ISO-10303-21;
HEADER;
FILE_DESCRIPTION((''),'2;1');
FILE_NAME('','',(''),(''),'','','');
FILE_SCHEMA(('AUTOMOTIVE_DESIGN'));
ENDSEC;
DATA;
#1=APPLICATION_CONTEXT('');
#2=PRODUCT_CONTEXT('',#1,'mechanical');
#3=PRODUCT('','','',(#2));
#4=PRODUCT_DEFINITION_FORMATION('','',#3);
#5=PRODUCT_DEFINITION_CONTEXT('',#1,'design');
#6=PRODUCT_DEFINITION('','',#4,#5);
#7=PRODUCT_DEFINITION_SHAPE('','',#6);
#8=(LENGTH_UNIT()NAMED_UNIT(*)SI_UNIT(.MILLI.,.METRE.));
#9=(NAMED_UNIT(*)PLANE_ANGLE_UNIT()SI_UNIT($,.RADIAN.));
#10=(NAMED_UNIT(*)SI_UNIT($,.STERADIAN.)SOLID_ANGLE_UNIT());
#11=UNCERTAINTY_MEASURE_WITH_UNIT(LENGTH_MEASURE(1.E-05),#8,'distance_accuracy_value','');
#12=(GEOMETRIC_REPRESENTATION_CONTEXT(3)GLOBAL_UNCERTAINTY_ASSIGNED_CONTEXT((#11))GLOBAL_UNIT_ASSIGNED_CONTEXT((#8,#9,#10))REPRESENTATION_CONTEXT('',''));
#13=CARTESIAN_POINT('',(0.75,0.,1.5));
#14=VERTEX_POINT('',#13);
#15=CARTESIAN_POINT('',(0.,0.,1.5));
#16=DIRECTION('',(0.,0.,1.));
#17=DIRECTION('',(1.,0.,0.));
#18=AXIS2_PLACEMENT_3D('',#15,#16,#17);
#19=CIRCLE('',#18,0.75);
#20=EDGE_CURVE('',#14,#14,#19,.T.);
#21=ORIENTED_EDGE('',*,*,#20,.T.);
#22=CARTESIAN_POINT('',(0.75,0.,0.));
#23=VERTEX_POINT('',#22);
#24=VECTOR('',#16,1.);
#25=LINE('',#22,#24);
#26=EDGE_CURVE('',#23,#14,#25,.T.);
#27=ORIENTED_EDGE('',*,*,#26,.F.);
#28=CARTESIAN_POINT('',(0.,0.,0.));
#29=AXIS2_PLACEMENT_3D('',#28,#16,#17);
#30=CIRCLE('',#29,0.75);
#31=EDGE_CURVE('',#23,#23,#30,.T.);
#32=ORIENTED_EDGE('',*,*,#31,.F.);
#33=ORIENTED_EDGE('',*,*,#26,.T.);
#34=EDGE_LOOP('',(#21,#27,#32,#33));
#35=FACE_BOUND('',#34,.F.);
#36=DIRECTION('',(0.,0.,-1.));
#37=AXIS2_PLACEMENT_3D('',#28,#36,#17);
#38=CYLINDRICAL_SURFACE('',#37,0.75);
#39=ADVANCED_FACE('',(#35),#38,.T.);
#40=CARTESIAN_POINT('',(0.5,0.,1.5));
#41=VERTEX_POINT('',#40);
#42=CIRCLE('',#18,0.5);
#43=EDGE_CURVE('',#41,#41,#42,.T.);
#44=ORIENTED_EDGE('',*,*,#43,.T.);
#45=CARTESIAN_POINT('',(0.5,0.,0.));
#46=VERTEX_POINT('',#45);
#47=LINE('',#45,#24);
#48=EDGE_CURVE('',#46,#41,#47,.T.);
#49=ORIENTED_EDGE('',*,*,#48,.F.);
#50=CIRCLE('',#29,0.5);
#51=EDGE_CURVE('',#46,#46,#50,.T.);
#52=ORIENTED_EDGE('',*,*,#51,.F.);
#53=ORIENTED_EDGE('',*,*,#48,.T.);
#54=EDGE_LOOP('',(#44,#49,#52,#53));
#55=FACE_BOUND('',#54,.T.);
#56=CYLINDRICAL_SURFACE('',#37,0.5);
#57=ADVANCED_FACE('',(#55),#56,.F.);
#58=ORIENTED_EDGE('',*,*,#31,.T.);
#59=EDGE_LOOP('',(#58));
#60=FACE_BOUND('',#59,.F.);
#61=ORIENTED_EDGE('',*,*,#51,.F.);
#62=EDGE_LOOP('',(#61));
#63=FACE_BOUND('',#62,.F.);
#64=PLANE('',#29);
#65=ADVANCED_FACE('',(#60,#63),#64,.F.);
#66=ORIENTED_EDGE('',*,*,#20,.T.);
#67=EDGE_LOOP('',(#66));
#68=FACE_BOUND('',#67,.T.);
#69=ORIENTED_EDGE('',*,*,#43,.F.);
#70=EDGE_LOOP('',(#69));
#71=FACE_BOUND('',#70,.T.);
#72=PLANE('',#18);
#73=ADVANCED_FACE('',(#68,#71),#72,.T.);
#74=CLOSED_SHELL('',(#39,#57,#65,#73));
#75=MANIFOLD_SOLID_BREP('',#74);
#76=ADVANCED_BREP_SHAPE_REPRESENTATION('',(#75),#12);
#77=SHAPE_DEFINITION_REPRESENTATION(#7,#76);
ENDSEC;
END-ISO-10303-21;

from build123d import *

# Parameters (mm, degrees)
SKETCH_R   = 0.75
SKETCH_R_2 = 0.5
PAD_DEPTH  = 1.5


with BuildPart() as part:
    # Sketch → Pad (new body)
    with BuildSketch(Plane.XY):
        Circle(SKETCH_R)
        Circle(SKETCH_R_2, mode=Mode.SUBTRACT)
    extrude(amount=PAD_DEPTH)


solid = part.part
